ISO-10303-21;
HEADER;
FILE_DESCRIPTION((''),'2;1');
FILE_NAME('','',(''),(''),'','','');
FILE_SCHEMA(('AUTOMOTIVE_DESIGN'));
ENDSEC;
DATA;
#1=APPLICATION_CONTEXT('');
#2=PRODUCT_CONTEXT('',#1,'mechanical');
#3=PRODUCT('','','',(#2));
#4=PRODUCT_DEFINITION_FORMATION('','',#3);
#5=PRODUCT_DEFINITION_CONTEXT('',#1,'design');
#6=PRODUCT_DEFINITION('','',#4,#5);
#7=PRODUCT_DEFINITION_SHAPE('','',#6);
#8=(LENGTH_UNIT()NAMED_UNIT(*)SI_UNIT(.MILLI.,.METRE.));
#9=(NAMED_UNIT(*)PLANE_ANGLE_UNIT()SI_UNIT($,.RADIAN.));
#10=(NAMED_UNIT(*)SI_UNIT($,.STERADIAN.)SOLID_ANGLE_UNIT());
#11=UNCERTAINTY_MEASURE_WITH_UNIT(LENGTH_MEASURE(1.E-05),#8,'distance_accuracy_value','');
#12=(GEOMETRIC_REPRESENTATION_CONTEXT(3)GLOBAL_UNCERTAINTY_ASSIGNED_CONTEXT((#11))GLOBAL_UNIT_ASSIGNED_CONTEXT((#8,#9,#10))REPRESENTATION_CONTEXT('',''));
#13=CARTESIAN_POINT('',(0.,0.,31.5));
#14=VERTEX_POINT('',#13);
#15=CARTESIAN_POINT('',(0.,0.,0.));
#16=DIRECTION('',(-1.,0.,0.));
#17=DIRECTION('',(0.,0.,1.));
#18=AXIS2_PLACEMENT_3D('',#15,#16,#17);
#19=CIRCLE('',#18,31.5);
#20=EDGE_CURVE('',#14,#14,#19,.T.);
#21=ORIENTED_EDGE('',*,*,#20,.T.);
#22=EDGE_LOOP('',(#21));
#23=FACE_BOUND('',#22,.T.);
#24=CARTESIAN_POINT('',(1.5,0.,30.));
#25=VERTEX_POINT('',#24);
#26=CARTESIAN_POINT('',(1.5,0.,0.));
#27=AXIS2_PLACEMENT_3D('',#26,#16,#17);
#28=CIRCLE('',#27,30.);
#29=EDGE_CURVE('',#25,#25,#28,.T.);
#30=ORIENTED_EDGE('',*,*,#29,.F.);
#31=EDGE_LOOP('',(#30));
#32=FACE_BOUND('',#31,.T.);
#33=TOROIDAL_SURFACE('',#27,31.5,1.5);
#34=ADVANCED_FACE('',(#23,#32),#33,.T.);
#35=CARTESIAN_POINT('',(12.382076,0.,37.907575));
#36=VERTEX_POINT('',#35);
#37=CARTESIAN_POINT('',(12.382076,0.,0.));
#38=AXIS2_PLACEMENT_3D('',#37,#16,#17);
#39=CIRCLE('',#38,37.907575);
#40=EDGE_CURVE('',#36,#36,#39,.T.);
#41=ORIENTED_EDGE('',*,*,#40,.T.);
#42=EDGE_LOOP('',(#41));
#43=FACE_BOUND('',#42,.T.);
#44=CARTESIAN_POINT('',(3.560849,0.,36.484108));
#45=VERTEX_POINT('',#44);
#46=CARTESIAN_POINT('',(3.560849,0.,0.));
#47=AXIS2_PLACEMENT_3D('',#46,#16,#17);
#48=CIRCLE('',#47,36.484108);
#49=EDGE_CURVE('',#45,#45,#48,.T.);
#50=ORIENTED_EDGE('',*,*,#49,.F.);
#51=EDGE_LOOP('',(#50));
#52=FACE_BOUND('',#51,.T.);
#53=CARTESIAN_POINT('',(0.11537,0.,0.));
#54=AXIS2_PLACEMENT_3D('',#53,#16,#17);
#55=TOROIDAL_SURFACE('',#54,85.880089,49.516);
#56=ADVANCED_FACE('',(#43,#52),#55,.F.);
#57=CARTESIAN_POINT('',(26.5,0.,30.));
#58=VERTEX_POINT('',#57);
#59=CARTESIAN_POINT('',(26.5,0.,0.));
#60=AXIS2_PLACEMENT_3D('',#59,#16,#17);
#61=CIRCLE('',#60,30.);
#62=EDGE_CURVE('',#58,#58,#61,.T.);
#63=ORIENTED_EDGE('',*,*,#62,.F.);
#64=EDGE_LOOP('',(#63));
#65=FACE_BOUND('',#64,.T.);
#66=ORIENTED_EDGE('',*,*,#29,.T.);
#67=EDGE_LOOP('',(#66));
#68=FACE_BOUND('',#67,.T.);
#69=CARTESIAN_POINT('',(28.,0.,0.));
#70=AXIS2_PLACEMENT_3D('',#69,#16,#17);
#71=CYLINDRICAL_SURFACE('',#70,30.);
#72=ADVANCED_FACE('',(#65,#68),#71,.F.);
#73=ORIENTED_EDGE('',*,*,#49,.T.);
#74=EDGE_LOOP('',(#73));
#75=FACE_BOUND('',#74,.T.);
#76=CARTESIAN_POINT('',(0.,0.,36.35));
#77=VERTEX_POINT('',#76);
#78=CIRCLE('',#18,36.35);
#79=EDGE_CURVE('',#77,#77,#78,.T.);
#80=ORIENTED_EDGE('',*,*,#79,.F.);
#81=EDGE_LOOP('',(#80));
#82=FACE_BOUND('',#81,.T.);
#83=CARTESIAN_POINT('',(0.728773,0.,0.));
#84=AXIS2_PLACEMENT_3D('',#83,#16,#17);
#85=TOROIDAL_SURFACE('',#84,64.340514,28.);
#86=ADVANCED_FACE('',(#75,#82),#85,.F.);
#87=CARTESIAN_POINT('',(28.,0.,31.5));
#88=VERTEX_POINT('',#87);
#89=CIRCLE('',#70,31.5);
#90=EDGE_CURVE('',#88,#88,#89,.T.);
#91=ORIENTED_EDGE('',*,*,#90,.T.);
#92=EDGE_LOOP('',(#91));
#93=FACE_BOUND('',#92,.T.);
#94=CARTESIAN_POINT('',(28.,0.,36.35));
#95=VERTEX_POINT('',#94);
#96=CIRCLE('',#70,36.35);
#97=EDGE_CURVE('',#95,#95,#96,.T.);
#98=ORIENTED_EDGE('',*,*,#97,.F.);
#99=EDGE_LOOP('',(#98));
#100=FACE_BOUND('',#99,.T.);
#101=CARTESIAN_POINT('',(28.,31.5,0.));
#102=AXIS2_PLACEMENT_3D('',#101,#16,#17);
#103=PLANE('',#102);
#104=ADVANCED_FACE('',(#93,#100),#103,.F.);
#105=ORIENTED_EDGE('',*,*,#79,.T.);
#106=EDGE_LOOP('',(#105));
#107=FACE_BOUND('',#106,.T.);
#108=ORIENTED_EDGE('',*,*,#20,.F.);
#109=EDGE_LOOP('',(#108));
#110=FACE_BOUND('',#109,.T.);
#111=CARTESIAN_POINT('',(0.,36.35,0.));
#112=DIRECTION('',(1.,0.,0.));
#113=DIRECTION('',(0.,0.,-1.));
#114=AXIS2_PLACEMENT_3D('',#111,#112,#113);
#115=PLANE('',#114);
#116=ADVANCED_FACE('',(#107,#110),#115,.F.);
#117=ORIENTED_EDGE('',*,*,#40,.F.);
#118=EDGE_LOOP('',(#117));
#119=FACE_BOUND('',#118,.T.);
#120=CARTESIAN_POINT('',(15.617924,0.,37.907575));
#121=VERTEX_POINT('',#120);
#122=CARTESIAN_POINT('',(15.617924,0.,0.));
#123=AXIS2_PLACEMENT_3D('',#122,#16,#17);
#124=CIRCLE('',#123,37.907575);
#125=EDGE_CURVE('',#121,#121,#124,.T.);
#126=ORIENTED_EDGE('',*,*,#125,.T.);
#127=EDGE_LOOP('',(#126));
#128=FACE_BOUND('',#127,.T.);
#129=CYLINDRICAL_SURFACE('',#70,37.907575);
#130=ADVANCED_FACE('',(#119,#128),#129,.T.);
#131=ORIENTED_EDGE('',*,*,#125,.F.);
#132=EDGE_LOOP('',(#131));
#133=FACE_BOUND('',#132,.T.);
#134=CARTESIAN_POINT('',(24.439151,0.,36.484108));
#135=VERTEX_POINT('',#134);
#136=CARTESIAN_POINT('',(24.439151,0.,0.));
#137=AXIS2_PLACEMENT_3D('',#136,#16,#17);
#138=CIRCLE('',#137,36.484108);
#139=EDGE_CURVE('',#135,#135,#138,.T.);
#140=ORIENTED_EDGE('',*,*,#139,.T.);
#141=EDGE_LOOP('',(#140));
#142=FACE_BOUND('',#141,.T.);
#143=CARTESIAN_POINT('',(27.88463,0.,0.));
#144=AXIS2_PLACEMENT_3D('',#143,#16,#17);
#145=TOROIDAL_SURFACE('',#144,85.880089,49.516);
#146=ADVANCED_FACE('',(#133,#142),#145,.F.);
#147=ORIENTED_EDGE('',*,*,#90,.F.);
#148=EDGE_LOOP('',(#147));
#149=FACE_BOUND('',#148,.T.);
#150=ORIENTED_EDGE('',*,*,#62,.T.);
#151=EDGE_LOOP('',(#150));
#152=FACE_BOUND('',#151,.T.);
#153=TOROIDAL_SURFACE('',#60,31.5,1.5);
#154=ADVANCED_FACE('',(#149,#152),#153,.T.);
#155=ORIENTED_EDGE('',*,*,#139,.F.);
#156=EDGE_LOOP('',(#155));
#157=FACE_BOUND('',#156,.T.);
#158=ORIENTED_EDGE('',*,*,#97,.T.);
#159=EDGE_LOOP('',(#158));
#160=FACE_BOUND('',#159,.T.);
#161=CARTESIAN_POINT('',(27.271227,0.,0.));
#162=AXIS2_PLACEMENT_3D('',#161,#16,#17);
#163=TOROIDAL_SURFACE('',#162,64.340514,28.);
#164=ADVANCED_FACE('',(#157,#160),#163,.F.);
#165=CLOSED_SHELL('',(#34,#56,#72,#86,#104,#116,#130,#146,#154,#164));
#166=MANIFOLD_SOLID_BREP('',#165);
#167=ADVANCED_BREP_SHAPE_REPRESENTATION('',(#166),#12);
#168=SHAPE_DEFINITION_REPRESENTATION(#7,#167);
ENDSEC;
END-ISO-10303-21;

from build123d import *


with BuildPart() as part:
    # Sketch1 → Revolve1 (revolve)
    with BuildSketch(Plane.XY):
        with BuildLine():
            Line((1.5, 30), (26.5, 30))
            ThreePointArc((26.5, 30), (27.560660172, 30.439339828), (28, 31.5))
            Line((28, 31.5), (28, 36.35))
            ThreePointArc((28, 36.35), (26.217439951, 36.360351084), (24.439151002, 36.484108463))
            ThreePointArc((24.439151002, 36.484108463), (19.996363113, 36.996457171), (15.617923853, 37.907574657))
            Line((15.617923853, 37.907574657), (12.382076147, 37.907574657))
            ThreePointArc((12.382076147, 37.907574657), (8.003636887, 36.996457171), (3.560848998, 36.484108463))
            ThreePointArc((3.560848998, 36.484108463), (1.782560049, 36.360351084), (0, 36.35))
            Line((0, 36.35), (0, 31.5))
            ThreePointArc((0, 31.5), (0.439339828, 30.439339828), (1.5, 30))
        make_face()
    revolve(axis=Axis((28, 0, 0), (-1, 0, 0)))


solid = part.part
